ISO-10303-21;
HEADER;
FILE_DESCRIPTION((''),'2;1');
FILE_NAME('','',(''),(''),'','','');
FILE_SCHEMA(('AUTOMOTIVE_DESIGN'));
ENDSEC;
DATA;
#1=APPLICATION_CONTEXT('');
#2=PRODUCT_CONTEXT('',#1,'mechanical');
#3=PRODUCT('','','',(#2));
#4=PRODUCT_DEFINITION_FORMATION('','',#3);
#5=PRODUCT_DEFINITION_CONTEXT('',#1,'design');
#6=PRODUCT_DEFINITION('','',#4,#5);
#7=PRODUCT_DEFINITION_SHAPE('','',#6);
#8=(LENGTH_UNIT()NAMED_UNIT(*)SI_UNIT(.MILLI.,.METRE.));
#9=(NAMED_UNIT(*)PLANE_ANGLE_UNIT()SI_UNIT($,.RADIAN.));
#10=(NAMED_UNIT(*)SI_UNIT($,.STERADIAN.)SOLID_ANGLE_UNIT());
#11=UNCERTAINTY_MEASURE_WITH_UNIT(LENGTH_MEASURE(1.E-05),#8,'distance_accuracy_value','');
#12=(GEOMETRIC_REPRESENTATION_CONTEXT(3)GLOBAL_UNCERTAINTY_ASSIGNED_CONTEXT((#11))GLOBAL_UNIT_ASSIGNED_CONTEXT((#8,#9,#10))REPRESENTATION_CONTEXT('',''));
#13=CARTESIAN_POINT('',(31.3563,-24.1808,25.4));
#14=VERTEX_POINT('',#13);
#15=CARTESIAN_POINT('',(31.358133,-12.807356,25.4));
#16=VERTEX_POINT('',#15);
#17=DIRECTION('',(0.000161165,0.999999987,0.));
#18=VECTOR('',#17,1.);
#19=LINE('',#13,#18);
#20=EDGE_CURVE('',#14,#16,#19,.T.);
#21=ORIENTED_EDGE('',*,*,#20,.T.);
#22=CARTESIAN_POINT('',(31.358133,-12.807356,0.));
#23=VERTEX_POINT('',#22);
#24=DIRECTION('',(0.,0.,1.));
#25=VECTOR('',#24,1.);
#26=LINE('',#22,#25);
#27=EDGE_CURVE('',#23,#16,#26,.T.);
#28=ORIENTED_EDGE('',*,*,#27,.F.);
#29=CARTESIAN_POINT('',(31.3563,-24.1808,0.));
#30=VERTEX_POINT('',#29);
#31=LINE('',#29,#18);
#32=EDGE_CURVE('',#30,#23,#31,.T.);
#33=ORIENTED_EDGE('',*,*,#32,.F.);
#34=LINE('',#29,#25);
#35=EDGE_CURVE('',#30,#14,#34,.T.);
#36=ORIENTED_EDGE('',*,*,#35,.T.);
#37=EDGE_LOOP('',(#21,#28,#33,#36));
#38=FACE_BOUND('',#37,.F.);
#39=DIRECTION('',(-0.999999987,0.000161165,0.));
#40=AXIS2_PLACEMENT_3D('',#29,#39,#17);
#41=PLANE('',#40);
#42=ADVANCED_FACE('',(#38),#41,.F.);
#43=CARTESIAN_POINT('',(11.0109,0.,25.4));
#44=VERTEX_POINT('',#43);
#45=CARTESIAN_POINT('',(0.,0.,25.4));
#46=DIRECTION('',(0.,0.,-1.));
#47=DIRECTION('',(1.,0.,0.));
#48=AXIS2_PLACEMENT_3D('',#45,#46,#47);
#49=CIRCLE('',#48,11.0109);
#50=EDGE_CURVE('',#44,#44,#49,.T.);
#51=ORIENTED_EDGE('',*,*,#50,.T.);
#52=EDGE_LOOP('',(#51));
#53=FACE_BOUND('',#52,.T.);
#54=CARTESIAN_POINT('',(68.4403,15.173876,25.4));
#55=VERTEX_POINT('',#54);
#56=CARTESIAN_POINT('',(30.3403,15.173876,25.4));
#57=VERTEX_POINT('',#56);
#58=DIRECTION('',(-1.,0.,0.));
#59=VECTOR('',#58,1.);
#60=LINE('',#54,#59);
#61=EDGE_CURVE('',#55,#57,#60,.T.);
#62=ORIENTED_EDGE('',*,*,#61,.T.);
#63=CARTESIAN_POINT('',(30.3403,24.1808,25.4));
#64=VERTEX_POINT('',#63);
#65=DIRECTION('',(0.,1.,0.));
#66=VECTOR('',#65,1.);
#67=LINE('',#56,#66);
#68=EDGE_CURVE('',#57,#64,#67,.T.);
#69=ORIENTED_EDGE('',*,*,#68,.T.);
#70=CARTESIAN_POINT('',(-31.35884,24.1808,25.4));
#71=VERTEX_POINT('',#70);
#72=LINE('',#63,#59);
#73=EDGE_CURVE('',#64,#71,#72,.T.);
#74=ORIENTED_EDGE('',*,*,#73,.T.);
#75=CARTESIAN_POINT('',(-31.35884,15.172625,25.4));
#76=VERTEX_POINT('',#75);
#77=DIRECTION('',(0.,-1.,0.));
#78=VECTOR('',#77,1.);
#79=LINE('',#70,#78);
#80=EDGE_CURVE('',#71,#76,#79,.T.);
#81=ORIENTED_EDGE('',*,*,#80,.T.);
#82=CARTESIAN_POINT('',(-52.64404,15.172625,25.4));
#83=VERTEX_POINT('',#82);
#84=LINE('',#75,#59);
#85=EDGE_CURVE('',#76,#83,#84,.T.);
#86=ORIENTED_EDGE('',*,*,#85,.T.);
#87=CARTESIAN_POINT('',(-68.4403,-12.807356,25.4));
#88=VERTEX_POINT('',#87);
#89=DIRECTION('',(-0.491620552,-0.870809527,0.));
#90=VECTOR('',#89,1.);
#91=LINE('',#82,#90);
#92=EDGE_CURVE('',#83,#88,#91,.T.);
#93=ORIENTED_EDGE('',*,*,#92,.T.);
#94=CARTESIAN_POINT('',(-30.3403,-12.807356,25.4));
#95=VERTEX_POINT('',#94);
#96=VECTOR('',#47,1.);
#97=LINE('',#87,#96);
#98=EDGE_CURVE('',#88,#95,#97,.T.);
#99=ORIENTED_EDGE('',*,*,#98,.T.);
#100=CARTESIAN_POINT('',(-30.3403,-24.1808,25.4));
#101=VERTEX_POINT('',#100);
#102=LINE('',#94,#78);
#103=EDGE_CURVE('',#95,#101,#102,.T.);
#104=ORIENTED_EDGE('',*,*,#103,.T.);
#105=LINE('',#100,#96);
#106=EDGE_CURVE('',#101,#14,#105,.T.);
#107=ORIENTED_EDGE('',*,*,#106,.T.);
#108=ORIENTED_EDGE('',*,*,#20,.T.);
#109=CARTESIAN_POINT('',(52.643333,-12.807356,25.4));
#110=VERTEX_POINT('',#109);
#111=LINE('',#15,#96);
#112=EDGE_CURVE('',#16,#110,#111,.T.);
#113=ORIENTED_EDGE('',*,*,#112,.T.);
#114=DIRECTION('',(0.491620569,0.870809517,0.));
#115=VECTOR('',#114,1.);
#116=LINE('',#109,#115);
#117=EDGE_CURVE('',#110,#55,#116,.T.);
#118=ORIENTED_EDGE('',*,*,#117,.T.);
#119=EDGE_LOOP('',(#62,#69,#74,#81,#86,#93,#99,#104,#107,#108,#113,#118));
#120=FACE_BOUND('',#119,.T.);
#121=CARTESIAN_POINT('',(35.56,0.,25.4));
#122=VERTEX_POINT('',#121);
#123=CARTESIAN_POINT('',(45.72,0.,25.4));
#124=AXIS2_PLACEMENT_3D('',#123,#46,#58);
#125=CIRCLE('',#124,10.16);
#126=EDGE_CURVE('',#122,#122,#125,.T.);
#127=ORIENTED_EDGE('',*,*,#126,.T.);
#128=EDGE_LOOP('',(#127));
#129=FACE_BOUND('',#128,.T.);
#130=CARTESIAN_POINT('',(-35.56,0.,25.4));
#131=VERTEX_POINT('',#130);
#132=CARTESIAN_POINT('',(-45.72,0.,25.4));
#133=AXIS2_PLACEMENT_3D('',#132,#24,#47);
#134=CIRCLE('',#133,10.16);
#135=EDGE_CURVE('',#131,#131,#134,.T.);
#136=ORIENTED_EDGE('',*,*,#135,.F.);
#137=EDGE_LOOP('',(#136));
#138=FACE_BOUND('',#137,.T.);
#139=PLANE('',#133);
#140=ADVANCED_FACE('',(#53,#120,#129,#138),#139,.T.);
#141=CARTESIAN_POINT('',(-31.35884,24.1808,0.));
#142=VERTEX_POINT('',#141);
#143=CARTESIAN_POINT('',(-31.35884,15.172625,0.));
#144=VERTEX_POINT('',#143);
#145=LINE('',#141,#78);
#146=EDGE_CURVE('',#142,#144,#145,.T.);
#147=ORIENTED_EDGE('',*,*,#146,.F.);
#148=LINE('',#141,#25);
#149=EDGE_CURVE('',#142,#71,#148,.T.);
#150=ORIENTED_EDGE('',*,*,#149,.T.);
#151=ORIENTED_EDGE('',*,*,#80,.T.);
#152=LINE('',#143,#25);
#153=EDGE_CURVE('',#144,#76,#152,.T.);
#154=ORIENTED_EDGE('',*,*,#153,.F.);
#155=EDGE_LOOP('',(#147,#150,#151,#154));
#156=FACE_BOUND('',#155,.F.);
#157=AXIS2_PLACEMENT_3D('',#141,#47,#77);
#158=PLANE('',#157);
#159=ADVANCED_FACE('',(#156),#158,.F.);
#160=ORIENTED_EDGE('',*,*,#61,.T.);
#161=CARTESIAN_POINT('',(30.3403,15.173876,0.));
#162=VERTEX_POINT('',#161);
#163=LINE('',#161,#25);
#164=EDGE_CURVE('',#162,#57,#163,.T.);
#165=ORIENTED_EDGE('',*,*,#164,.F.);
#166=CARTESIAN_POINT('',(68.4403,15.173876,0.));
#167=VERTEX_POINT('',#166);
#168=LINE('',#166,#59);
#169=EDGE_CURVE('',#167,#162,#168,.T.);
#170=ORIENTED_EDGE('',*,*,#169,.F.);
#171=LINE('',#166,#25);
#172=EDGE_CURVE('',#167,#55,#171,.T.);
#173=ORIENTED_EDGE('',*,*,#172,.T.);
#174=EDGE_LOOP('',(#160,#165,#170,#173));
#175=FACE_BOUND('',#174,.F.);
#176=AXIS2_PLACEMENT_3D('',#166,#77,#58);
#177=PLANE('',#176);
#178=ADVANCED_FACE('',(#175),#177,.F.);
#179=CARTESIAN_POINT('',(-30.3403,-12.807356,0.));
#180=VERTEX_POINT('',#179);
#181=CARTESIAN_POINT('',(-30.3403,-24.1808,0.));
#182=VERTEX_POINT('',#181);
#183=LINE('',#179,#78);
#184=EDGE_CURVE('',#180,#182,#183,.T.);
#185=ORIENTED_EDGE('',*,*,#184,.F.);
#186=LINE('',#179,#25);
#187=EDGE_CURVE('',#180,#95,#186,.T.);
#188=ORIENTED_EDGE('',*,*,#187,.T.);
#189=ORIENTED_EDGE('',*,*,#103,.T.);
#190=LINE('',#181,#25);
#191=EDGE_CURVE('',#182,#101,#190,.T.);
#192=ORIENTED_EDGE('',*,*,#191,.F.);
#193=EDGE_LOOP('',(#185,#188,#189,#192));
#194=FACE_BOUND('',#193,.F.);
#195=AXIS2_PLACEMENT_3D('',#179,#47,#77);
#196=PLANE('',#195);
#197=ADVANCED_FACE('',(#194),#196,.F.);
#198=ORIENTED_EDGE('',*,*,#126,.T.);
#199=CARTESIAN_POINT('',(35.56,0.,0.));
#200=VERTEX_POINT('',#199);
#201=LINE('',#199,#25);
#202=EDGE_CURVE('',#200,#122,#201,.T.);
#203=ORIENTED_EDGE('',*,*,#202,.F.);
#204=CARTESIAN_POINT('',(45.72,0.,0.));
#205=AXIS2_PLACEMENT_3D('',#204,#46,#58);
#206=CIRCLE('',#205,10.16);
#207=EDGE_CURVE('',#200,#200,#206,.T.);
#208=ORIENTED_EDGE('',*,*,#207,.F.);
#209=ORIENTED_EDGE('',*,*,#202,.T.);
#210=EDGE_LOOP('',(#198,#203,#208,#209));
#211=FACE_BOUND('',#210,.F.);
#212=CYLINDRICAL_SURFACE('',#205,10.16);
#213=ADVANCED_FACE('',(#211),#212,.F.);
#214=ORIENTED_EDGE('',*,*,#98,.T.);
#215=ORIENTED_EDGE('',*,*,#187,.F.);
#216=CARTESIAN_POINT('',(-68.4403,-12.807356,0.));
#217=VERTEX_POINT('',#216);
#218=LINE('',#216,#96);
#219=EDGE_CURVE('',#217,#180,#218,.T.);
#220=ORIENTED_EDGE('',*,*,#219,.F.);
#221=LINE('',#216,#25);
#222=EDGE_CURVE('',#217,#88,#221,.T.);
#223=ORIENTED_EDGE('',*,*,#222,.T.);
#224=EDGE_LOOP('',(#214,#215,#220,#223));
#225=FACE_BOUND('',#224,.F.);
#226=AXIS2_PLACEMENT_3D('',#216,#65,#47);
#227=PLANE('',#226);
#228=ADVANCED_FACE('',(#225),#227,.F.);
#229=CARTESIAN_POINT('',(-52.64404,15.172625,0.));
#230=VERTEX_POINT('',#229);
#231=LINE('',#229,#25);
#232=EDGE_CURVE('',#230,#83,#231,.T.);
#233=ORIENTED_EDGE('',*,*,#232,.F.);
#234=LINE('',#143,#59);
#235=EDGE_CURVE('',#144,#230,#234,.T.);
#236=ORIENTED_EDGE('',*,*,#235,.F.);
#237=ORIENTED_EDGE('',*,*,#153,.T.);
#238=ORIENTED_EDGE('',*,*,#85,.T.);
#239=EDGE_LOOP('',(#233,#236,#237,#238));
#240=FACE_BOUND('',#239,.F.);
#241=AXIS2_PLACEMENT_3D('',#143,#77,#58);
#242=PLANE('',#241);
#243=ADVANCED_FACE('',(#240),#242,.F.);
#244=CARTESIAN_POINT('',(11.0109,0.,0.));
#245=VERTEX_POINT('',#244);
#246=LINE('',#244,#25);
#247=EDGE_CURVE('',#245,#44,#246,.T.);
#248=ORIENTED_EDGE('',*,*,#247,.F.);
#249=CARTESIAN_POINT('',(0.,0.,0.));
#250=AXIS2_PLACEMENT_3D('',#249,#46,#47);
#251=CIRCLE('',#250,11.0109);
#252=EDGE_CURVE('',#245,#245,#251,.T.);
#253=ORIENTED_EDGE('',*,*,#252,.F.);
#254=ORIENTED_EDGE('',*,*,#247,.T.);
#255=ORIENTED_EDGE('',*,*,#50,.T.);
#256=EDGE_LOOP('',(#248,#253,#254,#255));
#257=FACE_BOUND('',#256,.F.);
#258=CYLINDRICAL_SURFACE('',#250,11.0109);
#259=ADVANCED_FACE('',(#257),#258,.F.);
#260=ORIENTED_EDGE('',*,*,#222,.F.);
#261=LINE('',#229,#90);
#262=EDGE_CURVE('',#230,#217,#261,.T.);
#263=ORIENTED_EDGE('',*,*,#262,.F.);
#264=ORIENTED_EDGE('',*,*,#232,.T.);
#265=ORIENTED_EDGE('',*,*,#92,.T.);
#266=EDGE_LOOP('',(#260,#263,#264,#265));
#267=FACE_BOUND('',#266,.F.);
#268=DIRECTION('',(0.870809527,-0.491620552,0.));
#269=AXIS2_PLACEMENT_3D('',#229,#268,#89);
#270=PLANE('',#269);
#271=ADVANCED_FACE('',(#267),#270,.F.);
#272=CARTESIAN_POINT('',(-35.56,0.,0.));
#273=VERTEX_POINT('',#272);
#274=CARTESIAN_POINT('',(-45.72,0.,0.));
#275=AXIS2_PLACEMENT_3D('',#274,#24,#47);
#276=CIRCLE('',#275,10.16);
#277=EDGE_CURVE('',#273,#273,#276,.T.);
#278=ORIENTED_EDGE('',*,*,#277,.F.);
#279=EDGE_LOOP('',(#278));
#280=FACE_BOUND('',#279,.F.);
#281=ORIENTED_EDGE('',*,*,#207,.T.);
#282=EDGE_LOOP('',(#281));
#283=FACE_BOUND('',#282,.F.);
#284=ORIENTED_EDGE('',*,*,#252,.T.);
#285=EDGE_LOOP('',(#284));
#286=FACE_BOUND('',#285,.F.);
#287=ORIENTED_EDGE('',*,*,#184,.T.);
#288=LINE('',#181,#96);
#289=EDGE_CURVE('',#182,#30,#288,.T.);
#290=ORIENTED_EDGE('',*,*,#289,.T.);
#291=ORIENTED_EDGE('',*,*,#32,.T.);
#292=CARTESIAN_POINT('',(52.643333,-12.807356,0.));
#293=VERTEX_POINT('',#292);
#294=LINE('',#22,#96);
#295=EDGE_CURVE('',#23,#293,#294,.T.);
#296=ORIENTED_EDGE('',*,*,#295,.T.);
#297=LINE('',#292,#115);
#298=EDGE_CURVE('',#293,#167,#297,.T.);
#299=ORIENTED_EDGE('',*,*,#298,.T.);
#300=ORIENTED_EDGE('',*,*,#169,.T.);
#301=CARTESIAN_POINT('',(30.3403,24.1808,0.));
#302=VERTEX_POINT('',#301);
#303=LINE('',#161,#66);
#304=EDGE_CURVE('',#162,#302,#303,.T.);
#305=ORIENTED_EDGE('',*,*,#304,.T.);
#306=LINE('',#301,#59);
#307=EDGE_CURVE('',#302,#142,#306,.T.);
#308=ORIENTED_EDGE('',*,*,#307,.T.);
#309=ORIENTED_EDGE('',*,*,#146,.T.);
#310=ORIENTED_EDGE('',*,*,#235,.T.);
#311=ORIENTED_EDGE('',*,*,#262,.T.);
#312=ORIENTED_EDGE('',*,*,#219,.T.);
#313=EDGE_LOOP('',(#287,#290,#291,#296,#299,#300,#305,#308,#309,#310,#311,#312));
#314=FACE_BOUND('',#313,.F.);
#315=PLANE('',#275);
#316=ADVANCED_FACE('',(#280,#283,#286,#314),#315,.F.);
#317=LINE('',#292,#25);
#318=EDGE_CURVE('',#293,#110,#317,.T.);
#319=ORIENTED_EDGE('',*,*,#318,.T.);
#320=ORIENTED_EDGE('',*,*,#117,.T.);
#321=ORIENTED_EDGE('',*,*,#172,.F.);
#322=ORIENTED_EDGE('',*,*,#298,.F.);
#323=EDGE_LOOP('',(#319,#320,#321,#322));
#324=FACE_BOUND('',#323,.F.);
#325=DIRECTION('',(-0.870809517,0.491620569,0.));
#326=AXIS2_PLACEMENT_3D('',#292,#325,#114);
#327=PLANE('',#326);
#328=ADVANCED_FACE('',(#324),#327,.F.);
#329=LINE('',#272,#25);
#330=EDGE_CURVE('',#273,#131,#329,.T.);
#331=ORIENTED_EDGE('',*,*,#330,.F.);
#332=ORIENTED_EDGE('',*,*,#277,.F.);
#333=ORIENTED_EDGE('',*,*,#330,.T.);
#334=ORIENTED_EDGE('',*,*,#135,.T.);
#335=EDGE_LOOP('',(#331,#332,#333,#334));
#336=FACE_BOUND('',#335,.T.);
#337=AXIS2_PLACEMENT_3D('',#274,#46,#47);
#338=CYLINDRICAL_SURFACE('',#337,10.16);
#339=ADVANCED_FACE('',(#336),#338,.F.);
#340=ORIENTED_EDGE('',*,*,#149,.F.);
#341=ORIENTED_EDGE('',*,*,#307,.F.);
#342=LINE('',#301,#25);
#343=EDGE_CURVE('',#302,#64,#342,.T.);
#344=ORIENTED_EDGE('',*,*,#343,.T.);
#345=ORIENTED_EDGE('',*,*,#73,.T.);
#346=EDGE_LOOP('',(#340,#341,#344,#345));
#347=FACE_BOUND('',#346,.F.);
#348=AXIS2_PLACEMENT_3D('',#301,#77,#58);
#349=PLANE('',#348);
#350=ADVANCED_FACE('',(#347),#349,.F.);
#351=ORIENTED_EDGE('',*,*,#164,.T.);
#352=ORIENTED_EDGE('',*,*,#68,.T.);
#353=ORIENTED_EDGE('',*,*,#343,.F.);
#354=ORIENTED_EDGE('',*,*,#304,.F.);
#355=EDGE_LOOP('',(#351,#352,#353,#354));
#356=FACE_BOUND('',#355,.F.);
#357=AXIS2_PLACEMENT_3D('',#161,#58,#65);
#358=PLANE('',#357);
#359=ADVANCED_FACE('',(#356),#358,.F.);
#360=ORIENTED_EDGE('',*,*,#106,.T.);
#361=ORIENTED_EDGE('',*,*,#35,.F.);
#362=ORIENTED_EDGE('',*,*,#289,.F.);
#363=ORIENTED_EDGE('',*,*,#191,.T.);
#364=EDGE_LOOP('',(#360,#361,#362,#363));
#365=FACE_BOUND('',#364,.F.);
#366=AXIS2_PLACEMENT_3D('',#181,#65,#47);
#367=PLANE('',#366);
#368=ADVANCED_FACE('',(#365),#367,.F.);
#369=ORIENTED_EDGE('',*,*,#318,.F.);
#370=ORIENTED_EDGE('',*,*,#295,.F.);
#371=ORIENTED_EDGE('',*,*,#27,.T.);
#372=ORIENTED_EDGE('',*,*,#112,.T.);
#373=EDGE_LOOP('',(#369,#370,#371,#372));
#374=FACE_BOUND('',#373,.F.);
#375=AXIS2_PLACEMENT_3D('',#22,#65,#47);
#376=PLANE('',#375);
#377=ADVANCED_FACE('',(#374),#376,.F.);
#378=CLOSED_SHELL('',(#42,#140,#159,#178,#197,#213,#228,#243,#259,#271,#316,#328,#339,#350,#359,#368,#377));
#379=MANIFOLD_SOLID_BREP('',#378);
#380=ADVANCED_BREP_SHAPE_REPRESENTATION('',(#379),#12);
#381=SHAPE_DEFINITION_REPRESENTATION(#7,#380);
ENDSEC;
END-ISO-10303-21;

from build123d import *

# Parameters (mm, degrees)
F0_R     = 10.16
F1_DEPTH = 25.4


with BuildPart() as f1:
    # F0 (on Top) → F1 (new body)
    with BuildSketch(Plane.XY):
        with Locations((-45.72, 0)):
            Circle(F0_R)
        with BuildLine():
            ThreePointArc((55.88, 0), (45.72, 10.16), (35.56, 0))
            ThreePointArc((35.56, 0), (45.72, -10.16), (55.88, 0))
        make_face()
        Polygon((-31.35884, 15.172625), (-52.64404, 15.172625), (-68.4403, -12.807356), (-30.3403, -12.807356), (-30.3403, -24.1808), (31.3563, -24.1808), (31.358133, -12.807356), (52.643333, -12.807356), (68.4403, 15.173876), (30.3403, 15.173876), (30.3403, 24.1808), (-31.35884, 24.1808), align=None)
        with Locations((-45.72, 0)):
            Circle(F0_R, mode=Mode.SUBTRACT)
        with BuildLine():
            ThreePointArc((-11.0109, 0), (0, 11.0109), (11.0109, 0))
            ThreePointArc((11.0109, 0), (0, -11.0109), (-11.0109, 0))
        make_face(mode=Mode.SUBTRACT)
        with BuildLine():
            ThreePointArc((55.88, 0), (45.72, -10.16), (35.56, 0))
            ThreePointArc((35.56, 0), (45.72, 10.16), (55.88, 0))
        make_face(mode=Mode.SUBTRACT)
    extrude(amount=F1_DEPTH)


solid = f1.part
